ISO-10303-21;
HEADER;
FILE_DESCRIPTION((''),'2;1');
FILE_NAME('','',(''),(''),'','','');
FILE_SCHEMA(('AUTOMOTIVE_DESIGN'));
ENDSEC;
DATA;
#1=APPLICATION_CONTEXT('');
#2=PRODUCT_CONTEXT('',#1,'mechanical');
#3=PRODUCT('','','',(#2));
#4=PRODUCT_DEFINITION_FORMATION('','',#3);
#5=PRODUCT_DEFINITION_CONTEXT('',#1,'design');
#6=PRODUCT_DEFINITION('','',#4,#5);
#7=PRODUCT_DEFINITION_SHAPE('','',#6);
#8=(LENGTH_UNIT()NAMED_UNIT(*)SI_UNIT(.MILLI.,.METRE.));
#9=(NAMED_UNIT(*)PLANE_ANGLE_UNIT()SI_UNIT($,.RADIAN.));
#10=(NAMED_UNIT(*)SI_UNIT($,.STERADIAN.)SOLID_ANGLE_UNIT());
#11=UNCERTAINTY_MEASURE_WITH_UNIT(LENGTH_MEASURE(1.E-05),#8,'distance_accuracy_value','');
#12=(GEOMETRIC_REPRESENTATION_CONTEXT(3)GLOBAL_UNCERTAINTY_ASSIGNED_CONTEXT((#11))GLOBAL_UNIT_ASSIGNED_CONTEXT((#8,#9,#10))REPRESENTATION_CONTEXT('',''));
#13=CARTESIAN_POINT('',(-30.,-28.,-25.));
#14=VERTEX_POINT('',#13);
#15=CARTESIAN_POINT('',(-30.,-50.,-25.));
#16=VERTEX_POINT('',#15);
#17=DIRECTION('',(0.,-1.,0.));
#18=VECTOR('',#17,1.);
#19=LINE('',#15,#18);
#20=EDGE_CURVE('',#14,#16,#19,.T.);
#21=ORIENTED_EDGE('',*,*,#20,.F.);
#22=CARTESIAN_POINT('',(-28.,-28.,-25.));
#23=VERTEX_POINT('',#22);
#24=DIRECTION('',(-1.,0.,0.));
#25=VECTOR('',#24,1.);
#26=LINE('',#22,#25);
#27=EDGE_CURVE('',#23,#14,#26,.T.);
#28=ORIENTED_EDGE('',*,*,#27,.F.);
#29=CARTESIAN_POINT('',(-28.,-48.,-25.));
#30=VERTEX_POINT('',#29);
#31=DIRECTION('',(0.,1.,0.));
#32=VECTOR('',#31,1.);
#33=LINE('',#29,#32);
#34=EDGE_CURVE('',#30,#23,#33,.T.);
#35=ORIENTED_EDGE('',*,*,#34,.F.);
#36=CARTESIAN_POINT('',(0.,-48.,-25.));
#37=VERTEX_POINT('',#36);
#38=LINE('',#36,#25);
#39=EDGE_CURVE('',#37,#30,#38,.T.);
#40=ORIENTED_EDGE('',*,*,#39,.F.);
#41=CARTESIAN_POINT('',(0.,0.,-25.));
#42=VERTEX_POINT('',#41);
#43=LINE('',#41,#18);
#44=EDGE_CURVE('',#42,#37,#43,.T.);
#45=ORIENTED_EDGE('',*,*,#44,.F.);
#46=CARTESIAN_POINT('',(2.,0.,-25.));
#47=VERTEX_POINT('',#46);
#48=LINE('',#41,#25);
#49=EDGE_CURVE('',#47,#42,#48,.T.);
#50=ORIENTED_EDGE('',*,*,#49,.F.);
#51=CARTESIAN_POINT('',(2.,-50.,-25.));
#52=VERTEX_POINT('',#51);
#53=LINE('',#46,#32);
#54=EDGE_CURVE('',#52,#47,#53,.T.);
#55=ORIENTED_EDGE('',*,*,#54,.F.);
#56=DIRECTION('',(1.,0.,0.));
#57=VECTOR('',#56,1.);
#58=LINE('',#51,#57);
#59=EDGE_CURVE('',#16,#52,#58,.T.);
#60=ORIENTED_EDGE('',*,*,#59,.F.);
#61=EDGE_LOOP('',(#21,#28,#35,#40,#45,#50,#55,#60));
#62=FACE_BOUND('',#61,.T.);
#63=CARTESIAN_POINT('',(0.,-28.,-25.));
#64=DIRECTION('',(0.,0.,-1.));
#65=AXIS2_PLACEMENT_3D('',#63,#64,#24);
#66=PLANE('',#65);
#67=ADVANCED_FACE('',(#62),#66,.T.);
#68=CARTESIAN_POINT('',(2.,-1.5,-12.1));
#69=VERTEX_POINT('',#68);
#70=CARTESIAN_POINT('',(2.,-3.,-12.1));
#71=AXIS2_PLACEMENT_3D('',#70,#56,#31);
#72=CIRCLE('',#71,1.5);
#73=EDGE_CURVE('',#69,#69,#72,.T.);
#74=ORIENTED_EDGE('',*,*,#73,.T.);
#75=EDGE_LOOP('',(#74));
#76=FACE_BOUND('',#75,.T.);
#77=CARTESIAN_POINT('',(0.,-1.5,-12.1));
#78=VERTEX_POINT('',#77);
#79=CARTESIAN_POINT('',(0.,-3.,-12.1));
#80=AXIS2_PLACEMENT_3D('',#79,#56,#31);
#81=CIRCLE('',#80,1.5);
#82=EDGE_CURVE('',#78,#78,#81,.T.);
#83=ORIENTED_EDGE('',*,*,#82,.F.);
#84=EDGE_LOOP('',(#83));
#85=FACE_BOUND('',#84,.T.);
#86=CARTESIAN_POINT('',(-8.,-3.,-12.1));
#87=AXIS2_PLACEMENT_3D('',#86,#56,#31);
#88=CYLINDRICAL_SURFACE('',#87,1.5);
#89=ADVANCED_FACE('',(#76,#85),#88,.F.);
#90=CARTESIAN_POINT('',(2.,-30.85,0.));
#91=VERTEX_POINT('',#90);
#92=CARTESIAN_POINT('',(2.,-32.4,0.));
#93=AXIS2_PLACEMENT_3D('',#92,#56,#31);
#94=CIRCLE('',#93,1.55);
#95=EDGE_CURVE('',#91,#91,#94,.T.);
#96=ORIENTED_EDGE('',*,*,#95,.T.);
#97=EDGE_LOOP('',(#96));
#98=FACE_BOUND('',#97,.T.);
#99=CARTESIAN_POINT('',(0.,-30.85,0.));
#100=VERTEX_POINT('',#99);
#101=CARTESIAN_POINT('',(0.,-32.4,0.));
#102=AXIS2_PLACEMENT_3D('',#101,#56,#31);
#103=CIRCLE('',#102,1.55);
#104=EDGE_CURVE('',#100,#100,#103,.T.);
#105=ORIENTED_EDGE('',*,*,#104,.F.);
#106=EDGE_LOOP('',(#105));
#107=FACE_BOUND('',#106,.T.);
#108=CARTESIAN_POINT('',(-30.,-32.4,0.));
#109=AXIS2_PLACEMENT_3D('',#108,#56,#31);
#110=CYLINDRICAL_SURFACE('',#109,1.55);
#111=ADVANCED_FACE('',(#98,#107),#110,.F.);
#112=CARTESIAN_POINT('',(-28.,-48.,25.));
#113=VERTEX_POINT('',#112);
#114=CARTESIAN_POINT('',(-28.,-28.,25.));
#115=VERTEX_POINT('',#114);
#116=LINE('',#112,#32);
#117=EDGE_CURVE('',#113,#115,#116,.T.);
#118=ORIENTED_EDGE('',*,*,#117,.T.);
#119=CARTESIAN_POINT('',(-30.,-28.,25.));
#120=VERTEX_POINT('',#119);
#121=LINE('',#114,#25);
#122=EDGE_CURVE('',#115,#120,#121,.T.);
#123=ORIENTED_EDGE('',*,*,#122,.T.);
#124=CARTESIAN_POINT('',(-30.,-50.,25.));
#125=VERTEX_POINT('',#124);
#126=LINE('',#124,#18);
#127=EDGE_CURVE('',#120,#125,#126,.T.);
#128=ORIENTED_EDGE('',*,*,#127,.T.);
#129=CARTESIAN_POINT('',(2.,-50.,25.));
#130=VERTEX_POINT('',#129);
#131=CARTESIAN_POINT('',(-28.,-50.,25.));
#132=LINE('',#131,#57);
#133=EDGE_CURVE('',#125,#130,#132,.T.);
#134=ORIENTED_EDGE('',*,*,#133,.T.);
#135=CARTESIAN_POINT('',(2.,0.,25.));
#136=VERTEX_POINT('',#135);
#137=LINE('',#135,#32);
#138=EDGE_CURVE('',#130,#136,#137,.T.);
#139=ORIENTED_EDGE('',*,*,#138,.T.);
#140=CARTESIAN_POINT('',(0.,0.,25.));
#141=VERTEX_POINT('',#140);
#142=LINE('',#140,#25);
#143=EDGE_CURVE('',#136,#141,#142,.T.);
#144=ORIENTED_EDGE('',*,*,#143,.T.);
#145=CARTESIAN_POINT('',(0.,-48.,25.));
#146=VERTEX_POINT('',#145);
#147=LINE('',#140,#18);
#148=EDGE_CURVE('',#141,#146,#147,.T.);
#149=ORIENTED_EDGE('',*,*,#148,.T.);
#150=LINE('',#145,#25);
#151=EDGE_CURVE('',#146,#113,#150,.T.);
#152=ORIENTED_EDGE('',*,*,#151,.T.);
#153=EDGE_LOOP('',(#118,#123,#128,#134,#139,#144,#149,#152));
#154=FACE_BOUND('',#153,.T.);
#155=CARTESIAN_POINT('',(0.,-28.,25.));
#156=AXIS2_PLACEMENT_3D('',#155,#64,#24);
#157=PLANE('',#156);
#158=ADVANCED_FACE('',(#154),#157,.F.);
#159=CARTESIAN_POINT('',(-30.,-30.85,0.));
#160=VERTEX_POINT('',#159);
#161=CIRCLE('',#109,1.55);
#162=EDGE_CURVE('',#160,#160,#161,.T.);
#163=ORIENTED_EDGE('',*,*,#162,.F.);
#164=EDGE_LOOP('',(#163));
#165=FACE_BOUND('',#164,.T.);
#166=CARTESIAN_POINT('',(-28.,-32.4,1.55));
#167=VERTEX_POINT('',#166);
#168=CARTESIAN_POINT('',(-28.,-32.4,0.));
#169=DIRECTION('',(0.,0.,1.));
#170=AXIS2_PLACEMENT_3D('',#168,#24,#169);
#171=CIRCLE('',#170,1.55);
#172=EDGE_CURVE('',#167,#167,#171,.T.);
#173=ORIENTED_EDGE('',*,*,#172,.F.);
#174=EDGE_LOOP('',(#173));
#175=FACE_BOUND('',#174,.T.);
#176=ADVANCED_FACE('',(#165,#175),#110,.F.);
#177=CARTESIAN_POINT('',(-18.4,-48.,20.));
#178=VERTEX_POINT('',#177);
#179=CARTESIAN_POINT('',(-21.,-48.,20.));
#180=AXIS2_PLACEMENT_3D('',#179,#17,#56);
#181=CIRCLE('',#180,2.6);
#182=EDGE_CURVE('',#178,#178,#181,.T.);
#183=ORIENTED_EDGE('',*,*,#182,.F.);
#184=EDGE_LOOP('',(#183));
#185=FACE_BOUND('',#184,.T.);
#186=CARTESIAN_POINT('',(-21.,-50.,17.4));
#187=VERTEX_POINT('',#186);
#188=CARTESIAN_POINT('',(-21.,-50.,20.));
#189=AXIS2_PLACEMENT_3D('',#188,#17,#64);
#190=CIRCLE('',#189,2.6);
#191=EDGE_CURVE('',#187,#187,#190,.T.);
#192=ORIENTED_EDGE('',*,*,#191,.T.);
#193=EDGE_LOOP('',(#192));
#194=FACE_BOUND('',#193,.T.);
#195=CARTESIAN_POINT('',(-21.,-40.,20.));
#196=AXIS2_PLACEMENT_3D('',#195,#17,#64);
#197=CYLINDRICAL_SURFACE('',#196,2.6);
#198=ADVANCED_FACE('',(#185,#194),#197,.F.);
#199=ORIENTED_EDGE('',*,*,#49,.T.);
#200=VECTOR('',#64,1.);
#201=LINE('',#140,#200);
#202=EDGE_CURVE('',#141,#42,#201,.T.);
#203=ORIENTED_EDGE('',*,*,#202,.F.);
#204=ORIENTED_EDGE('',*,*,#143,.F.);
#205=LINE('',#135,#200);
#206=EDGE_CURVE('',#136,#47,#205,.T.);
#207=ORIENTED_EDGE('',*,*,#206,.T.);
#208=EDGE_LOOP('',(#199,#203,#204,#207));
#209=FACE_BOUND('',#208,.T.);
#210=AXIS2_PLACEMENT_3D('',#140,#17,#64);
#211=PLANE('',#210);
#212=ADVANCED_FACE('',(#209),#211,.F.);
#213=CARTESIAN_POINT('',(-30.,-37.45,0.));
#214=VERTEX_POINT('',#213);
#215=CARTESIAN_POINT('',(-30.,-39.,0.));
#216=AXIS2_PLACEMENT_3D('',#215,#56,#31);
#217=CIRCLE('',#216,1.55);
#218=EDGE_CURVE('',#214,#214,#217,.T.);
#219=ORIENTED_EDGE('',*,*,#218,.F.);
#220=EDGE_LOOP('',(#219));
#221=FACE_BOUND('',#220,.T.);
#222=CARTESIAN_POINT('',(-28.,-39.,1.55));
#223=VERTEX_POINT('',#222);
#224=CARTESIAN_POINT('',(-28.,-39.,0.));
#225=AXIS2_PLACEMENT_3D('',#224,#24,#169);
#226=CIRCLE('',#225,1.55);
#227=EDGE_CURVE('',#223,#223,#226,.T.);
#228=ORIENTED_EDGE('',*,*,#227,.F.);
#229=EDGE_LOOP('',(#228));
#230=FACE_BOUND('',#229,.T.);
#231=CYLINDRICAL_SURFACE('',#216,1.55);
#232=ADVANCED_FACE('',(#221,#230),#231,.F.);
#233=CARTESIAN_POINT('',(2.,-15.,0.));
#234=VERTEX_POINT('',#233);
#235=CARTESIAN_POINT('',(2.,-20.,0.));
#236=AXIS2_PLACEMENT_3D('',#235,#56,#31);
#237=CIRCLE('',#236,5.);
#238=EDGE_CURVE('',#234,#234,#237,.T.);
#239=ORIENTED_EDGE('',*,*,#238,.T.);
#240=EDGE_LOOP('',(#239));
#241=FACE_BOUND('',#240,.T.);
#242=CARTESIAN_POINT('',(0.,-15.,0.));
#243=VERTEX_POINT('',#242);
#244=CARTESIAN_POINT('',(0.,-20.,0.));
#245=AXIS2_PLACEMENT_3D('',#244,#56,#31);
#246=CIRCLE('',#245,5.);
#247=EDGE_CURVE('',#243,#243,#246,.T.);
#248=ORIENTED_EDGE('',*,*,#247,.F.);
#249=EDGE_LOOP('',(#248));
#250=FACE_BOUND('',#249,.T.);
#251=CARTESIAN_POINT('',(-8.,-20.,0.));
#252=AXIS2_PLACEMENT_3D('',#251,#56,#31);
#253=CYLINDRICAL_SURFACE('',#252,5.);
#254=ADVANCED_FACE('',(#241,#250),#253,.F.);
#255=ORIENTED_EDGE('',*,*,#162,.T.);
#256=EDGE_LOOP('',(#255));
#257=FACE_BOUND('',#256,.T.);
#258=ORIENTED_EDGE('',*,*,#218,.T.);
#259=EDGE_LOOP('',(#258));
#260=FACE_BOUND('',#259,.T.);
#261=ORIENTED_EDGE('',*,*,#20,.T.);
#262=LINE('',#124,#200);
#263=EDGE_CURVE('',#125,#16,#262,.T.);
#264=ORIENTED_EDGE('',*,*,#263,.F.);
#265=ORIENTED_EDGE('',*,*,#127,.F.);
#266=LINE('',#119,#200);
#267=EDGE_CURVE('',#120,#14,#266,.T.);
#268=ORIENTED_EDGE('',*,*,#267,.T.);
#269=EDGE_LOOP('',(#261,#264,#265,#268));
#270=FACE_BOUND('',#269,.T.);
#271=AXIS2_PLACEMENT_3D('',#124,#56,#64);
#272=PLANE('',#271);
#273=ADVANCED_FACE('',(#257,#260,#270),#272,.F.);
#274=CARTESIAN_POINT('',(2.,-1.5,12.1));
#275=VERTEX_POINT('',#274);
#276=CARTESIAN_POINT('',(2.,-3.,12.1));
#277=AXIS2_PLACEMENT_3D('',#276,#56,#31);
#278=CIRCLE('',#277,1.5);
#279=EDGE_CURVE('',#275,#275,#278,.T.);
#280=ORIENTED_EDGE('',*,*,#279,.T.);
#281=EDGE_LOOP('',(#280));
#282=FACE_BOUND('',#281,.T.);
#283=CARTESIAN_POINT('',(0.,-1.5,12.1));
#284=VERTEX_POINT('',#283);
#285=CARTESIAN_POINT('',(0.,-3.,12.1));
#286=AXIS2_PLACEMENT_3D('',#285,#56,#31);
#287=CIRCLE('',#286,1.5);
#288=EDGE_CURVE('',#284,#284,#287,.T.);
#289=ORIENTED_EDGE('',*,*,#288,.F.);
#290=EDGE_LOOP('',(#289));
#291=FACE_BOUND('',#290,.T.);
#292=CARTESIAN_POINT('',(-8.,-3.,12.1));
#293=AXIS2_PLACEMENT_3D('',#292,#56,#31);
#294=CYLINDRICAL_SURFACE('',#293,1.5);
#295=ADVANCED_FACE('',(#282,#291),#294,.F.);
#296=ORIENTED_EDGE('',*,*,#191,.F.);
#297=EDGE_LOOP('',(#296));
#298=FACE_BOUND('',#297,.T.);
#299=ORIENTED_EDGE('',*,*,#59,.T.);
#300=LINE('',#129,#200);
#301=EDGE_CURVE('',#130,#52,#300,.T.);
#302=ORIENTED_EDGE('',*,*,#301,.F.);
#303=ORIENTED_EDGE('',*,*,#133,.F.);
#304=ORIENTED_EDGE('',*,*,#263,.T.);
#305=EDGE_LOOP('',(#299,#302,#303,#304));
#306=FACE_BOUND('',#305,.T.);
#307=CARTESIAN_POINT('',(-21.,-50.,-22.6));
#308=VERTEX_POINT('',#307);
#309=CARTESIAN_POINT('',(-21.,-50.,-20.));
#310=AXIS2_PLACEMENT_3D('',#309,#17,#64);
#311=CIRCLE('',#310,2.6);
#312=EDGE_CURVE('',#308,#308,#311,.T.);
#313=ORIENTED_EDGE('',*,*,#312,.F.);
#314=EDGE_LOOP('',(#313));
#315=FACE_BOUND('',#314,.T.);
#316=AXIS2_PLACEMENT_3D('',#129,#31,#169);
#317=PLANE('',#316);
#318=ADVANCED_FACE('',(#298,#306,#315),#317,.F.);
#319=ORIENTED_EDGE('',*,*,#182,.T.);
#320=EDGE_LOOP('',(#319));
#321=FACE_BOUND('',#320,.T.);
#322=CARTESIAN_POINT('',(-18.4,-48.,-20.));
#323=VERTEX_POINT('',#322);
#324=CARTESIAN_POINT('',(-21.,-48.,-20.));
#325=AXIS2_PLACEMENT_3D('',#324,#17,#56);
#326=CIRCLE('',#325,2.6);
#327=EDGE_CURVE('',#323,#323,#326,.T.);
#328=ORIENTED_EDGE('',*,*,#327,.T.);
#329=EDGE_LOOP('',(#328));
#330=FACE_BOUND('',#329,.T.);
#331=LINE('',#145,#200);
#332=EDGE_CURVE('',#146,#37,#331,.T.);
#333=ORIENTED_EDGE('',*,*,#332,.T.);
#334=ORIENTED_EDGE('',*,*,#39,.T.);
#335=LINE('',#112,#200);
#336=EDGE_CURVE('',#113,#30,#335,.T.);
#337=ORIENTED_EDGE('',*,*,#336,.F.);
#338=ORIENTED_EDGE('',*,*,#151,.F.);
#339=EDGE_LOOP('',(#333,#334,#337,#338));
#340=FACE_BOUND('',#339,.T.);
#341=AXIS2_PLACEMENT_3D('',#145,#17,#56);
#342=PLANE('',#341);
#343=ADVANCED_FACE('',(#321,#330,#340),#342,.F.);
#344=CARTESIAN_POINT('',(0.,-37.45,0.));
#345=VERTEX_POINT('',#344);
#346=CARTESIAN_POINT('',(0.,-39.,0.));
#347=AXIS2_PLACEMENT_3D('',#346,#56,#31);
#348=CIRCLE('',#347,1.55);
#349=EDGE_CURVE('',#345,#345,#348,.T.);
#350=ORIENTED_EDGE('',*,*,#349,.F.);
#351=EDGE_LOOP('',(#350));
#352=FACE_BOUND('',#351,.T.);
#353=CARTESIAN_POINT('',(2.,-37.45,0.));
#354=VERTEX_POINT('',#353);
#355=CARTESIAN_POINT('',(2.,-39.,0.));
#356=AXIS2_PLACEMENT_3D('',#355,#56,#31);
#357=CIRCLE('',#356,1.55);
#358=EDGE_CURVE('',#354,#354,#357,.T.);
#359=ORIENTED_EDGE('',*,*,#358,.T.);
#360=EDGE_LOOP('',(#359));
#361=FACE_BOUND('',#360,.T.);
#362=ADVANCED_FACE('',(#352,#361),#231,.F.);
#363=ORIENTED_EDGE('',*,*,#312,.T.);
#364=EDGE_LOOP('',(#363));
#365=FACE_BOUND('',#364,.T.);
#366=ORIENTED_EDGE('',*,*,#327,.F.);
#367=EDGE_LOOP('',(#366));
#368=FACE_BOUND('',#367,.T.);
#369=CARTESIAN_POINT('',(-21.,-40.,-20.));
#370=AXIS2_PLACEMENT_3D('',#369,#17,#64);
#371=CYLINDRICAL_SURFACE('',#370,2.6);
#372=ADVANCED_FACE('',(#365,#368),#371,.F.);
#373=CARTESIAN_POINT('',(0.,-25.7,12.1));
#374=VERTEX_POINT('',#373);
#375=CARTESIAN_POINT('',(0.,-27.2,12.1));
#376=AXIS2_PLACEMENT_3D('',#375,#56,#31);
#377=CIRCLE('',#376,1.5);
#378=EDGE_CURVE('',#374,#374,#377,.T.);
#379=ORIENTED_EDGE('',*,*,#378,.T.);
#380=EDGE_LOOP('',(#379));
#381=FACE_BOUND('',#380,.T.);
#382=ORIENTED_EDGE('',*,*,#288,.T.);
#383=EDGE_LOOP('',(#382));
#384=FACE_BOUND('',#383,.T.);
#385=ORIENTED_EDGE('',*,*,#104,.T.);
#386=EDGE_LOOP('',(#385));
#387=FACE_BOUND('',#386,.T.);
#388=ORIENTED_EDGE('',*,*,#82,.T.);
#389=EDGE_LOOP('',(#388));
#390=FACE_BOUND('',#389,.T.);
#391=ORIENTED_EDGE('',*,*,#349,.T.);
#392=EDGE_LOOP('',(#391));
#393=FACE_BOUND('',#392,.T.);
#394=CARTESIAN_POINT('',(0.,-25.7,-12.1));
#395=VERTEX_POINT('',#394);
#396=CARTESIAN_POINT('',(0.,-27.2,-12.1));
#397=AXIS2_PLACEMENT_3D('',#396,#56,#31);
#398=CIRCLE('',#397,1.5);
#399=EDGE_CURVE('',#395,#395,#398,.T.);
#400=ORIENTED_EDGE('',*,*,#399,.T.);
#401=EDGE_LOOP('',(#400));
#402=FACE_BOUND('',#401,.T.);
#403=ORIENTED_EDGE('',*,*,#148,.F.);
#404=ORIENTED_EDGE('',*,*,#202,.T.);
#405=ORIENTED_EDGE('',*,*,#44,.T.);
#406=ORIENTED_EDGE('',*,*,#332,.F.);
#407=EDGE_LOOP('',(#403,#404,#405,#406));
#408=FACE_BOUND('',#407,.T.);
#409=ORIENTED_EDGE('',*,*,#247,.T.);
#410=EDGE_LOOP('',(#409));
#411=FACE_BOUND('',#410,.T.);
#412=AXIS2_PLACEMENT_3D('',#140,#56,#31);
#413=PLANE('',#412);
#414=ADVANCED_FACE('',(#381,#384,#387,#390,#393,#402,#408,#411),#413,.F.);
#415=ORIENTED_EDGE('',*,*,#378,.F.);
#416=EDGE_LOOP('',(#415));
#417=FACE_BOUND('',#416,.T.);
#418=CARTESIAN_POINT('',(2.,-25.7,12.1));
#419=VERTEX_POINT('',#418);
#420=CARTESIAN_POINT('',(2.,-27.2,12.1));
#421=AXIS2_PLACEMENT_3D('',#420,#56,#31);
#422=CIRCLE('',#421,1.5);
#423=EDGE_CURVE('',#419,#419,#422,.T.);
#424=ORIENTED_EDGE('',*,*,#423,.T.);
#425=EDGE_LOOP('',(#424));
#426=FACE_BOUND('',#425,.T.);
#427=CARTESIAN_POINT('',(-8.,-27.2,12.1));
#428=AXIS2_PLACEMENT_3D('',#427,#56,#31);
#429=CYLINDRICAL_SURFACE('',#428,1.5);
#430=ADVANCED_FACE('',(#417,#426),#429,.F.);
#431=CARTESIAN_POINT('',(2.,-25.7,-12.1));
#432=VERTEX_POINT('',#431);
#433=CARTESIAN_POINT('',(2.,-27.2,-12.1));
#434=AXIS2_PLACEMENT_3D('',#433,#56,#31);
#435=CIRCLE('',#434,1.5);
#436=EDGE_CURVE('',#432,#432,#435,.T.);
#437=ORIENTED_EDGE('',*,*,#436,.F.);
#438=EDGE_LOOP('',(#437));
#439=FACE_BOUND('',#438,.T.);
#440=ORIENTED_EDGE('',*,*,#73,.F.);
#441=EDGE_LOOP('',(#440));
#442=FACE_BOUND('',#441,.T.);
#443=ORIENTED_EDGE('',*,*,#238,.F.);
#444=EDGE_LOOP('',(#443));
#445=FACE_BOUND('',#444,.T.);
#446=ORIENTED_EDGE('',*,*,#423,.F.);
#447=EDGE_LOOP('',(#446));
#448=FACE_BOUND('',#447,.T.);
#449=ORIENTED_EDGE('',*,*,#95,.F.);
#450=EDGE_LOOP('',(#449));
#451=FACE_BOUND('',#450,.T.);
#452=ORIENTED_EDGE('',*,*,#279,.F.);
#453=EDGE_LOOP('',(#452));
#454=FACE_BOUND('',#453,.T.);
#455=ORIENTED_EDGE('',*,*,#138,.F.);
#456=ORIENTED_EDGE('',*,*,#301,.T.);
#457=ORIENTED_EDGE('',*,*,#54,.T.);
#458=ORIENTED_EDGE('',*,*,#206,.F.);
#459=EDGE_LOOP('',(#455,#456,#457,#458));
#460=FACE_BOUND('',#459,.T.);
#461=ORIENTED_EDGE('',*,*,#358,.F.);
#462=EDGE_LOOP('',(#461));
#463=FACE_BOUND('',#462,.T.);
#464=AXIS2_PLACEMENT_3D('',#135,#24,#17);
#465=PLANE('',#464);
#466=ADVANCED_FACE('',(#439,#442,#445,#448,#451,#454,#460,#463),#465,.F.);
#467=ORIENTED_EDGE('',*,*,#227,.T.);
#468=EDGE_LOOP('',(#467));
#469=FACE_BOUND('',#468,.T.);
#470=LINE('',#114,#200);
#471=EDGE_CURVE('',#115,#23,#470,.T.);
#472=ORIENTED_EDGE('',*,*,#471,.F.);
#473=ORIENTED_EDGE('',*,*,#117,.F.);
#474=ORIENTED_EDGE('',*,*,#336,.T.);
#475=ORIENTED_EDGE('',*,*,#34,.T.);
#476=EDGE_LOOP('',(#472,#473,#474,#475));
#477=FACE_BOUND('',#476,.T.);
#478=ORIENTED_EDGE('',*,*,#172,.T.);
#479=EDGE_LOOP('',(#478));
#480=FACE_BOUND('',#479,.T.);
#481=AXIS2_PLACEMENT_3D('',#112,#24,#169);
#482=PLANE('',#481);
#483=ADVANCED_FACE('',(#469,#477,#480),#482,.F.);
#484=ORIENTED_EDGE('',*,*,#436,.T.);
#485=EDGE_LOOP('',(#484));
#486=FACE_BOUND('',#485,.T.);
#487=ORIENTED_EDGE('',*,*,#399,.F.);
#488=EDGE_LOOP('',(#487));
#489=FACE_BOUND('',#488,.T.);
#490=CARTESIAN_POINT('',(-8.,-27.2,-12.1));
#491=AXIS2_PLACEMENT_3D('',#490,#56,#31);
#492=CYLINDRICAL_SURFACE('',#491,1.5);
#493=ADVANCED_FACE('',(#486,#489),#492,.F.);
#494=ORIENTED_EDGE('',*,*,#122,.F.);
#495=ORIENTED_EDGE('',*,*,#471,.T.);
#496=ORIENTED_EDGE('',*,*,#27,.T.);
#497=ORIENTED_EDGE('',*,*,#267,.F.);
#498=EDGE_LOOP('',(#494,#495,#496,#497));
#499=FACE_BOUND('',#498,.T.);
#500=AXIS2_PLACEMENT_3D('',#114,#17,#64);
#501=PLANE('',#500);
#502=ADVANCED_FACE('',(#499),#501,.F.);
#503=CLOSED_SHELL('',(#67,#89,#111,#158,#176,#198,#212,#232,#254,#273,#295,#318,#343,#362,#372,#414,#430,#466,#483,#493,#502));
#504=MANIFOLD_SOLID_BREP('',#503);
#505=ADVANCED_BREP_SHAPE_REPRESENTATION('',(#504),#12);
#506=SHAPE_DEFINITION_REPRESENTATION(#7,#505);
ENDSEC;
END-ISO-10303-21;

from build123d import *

# Parameters (mm, degrees)
EXTRUSION1_DEPTH        = 25
ESQUISSE2_R             = 1.5
ESQUISSE2_R_2           = 5
ENL_V_MAT_EXTRU_1_DEPTH = 10
ESQUISSE3_R             = 1.55
ENL_V_MAT_EXTRU_2_DEPTH = 33
ESQUISSE4_R             = 2.6
ENL_V_MAT_EXTRU_3_DEPTH = 10


with BuildPart() as part:
    # Esquisse1 → Extrusion1 (new body, symmetric)
    with BuildSketch(Plane.XY):
        Polygon((0, 0), (2, 0), (2, -50), (-28, -50), (-30, -50), (-30, -28), (-28, -28), (-28, -48), (0, -48), align=None)
    extrude(amount=EXTRUSION1_DEPTH, both=True)

    # Esquisse2 → Enlèv. mat.-Extru.1 (cut)
    with BuildSketch(Plane(origin=(2, 0, 0), x_dir=(0, 0, -1), z_dir=(1, 0, 0))):
        with Locations(Location((-12.1, -3, 0), (0, 0, 90))):  # turned: the seam where the file's is
            Circle(ESQUISSE2_R)
        with Locations(Location((-12.1, -27.2, 0), (0, 0, 90))):  # turned: the seam where the file's is
            Circle(ESQUISSE2_R)
        with Locations(Location((12.1, -27.2, 0), (0, 0, 90))):  # turned: the seam where the file's is
            Circle(ESQUISSE2_R)
        with Locations(Location((12.1, -3, 0), (0, 0, 90))):  # turned: the seam where the file's is
            Circle(ESQUISSE2_R)
        with Locations(Location((0, -20, 0), (0, 0, 90))):  # turned: the seam where the file's is
            Circle(ESQUISSE2_R_2)
    extrude(amount=-ENL_V_MAT_EXTRU_1_DEPTH, mode=Mode.SUBTRACT)

    # Esquisse3 → Enlèv. mat.-Extru.2 (cut, through all)
    with BuildSketch(Plane(origin=(2, 0, 0), x_dir=(0, 0, -1), z_dir=(1, 0, 0))):
        with Locations(Location((0, -32.4, 0), (0, 0, 90))):  # turned: the seam where the file's is
            Circle(ESQUISSE3_R)
        with Locations(Location((0, -39, 0), (0, 0, 90))):  # turned: the seam where the file's is
            Circle(ESQUISSE3_R)
    extrude(amount=-ENL_V_MAT_EXTRU_2_DEPTH, mode=Mode.SUBTRACT)

    # Esquisse4 → Enlèv. mat.-Extru.3 (cut)
    with BuildSketch(Plane.XZ.offset(50)):
        with Locations(Location((-21, 20, 0), (0, 0, 270))):  # turned: the seam where the file's is
            Circle(ESQUISSE4_R)
        with Locations(Location((-21, -20, 0), (0, 0, 270))):  # turned: the seam where the file's is
            Circle(ESQUISSE4_R)
    extrude(amount=-ENL_V_MAT_EXTRU_3_DEPTH, mode=Mode.SUBTRACT)


solid = part.part
